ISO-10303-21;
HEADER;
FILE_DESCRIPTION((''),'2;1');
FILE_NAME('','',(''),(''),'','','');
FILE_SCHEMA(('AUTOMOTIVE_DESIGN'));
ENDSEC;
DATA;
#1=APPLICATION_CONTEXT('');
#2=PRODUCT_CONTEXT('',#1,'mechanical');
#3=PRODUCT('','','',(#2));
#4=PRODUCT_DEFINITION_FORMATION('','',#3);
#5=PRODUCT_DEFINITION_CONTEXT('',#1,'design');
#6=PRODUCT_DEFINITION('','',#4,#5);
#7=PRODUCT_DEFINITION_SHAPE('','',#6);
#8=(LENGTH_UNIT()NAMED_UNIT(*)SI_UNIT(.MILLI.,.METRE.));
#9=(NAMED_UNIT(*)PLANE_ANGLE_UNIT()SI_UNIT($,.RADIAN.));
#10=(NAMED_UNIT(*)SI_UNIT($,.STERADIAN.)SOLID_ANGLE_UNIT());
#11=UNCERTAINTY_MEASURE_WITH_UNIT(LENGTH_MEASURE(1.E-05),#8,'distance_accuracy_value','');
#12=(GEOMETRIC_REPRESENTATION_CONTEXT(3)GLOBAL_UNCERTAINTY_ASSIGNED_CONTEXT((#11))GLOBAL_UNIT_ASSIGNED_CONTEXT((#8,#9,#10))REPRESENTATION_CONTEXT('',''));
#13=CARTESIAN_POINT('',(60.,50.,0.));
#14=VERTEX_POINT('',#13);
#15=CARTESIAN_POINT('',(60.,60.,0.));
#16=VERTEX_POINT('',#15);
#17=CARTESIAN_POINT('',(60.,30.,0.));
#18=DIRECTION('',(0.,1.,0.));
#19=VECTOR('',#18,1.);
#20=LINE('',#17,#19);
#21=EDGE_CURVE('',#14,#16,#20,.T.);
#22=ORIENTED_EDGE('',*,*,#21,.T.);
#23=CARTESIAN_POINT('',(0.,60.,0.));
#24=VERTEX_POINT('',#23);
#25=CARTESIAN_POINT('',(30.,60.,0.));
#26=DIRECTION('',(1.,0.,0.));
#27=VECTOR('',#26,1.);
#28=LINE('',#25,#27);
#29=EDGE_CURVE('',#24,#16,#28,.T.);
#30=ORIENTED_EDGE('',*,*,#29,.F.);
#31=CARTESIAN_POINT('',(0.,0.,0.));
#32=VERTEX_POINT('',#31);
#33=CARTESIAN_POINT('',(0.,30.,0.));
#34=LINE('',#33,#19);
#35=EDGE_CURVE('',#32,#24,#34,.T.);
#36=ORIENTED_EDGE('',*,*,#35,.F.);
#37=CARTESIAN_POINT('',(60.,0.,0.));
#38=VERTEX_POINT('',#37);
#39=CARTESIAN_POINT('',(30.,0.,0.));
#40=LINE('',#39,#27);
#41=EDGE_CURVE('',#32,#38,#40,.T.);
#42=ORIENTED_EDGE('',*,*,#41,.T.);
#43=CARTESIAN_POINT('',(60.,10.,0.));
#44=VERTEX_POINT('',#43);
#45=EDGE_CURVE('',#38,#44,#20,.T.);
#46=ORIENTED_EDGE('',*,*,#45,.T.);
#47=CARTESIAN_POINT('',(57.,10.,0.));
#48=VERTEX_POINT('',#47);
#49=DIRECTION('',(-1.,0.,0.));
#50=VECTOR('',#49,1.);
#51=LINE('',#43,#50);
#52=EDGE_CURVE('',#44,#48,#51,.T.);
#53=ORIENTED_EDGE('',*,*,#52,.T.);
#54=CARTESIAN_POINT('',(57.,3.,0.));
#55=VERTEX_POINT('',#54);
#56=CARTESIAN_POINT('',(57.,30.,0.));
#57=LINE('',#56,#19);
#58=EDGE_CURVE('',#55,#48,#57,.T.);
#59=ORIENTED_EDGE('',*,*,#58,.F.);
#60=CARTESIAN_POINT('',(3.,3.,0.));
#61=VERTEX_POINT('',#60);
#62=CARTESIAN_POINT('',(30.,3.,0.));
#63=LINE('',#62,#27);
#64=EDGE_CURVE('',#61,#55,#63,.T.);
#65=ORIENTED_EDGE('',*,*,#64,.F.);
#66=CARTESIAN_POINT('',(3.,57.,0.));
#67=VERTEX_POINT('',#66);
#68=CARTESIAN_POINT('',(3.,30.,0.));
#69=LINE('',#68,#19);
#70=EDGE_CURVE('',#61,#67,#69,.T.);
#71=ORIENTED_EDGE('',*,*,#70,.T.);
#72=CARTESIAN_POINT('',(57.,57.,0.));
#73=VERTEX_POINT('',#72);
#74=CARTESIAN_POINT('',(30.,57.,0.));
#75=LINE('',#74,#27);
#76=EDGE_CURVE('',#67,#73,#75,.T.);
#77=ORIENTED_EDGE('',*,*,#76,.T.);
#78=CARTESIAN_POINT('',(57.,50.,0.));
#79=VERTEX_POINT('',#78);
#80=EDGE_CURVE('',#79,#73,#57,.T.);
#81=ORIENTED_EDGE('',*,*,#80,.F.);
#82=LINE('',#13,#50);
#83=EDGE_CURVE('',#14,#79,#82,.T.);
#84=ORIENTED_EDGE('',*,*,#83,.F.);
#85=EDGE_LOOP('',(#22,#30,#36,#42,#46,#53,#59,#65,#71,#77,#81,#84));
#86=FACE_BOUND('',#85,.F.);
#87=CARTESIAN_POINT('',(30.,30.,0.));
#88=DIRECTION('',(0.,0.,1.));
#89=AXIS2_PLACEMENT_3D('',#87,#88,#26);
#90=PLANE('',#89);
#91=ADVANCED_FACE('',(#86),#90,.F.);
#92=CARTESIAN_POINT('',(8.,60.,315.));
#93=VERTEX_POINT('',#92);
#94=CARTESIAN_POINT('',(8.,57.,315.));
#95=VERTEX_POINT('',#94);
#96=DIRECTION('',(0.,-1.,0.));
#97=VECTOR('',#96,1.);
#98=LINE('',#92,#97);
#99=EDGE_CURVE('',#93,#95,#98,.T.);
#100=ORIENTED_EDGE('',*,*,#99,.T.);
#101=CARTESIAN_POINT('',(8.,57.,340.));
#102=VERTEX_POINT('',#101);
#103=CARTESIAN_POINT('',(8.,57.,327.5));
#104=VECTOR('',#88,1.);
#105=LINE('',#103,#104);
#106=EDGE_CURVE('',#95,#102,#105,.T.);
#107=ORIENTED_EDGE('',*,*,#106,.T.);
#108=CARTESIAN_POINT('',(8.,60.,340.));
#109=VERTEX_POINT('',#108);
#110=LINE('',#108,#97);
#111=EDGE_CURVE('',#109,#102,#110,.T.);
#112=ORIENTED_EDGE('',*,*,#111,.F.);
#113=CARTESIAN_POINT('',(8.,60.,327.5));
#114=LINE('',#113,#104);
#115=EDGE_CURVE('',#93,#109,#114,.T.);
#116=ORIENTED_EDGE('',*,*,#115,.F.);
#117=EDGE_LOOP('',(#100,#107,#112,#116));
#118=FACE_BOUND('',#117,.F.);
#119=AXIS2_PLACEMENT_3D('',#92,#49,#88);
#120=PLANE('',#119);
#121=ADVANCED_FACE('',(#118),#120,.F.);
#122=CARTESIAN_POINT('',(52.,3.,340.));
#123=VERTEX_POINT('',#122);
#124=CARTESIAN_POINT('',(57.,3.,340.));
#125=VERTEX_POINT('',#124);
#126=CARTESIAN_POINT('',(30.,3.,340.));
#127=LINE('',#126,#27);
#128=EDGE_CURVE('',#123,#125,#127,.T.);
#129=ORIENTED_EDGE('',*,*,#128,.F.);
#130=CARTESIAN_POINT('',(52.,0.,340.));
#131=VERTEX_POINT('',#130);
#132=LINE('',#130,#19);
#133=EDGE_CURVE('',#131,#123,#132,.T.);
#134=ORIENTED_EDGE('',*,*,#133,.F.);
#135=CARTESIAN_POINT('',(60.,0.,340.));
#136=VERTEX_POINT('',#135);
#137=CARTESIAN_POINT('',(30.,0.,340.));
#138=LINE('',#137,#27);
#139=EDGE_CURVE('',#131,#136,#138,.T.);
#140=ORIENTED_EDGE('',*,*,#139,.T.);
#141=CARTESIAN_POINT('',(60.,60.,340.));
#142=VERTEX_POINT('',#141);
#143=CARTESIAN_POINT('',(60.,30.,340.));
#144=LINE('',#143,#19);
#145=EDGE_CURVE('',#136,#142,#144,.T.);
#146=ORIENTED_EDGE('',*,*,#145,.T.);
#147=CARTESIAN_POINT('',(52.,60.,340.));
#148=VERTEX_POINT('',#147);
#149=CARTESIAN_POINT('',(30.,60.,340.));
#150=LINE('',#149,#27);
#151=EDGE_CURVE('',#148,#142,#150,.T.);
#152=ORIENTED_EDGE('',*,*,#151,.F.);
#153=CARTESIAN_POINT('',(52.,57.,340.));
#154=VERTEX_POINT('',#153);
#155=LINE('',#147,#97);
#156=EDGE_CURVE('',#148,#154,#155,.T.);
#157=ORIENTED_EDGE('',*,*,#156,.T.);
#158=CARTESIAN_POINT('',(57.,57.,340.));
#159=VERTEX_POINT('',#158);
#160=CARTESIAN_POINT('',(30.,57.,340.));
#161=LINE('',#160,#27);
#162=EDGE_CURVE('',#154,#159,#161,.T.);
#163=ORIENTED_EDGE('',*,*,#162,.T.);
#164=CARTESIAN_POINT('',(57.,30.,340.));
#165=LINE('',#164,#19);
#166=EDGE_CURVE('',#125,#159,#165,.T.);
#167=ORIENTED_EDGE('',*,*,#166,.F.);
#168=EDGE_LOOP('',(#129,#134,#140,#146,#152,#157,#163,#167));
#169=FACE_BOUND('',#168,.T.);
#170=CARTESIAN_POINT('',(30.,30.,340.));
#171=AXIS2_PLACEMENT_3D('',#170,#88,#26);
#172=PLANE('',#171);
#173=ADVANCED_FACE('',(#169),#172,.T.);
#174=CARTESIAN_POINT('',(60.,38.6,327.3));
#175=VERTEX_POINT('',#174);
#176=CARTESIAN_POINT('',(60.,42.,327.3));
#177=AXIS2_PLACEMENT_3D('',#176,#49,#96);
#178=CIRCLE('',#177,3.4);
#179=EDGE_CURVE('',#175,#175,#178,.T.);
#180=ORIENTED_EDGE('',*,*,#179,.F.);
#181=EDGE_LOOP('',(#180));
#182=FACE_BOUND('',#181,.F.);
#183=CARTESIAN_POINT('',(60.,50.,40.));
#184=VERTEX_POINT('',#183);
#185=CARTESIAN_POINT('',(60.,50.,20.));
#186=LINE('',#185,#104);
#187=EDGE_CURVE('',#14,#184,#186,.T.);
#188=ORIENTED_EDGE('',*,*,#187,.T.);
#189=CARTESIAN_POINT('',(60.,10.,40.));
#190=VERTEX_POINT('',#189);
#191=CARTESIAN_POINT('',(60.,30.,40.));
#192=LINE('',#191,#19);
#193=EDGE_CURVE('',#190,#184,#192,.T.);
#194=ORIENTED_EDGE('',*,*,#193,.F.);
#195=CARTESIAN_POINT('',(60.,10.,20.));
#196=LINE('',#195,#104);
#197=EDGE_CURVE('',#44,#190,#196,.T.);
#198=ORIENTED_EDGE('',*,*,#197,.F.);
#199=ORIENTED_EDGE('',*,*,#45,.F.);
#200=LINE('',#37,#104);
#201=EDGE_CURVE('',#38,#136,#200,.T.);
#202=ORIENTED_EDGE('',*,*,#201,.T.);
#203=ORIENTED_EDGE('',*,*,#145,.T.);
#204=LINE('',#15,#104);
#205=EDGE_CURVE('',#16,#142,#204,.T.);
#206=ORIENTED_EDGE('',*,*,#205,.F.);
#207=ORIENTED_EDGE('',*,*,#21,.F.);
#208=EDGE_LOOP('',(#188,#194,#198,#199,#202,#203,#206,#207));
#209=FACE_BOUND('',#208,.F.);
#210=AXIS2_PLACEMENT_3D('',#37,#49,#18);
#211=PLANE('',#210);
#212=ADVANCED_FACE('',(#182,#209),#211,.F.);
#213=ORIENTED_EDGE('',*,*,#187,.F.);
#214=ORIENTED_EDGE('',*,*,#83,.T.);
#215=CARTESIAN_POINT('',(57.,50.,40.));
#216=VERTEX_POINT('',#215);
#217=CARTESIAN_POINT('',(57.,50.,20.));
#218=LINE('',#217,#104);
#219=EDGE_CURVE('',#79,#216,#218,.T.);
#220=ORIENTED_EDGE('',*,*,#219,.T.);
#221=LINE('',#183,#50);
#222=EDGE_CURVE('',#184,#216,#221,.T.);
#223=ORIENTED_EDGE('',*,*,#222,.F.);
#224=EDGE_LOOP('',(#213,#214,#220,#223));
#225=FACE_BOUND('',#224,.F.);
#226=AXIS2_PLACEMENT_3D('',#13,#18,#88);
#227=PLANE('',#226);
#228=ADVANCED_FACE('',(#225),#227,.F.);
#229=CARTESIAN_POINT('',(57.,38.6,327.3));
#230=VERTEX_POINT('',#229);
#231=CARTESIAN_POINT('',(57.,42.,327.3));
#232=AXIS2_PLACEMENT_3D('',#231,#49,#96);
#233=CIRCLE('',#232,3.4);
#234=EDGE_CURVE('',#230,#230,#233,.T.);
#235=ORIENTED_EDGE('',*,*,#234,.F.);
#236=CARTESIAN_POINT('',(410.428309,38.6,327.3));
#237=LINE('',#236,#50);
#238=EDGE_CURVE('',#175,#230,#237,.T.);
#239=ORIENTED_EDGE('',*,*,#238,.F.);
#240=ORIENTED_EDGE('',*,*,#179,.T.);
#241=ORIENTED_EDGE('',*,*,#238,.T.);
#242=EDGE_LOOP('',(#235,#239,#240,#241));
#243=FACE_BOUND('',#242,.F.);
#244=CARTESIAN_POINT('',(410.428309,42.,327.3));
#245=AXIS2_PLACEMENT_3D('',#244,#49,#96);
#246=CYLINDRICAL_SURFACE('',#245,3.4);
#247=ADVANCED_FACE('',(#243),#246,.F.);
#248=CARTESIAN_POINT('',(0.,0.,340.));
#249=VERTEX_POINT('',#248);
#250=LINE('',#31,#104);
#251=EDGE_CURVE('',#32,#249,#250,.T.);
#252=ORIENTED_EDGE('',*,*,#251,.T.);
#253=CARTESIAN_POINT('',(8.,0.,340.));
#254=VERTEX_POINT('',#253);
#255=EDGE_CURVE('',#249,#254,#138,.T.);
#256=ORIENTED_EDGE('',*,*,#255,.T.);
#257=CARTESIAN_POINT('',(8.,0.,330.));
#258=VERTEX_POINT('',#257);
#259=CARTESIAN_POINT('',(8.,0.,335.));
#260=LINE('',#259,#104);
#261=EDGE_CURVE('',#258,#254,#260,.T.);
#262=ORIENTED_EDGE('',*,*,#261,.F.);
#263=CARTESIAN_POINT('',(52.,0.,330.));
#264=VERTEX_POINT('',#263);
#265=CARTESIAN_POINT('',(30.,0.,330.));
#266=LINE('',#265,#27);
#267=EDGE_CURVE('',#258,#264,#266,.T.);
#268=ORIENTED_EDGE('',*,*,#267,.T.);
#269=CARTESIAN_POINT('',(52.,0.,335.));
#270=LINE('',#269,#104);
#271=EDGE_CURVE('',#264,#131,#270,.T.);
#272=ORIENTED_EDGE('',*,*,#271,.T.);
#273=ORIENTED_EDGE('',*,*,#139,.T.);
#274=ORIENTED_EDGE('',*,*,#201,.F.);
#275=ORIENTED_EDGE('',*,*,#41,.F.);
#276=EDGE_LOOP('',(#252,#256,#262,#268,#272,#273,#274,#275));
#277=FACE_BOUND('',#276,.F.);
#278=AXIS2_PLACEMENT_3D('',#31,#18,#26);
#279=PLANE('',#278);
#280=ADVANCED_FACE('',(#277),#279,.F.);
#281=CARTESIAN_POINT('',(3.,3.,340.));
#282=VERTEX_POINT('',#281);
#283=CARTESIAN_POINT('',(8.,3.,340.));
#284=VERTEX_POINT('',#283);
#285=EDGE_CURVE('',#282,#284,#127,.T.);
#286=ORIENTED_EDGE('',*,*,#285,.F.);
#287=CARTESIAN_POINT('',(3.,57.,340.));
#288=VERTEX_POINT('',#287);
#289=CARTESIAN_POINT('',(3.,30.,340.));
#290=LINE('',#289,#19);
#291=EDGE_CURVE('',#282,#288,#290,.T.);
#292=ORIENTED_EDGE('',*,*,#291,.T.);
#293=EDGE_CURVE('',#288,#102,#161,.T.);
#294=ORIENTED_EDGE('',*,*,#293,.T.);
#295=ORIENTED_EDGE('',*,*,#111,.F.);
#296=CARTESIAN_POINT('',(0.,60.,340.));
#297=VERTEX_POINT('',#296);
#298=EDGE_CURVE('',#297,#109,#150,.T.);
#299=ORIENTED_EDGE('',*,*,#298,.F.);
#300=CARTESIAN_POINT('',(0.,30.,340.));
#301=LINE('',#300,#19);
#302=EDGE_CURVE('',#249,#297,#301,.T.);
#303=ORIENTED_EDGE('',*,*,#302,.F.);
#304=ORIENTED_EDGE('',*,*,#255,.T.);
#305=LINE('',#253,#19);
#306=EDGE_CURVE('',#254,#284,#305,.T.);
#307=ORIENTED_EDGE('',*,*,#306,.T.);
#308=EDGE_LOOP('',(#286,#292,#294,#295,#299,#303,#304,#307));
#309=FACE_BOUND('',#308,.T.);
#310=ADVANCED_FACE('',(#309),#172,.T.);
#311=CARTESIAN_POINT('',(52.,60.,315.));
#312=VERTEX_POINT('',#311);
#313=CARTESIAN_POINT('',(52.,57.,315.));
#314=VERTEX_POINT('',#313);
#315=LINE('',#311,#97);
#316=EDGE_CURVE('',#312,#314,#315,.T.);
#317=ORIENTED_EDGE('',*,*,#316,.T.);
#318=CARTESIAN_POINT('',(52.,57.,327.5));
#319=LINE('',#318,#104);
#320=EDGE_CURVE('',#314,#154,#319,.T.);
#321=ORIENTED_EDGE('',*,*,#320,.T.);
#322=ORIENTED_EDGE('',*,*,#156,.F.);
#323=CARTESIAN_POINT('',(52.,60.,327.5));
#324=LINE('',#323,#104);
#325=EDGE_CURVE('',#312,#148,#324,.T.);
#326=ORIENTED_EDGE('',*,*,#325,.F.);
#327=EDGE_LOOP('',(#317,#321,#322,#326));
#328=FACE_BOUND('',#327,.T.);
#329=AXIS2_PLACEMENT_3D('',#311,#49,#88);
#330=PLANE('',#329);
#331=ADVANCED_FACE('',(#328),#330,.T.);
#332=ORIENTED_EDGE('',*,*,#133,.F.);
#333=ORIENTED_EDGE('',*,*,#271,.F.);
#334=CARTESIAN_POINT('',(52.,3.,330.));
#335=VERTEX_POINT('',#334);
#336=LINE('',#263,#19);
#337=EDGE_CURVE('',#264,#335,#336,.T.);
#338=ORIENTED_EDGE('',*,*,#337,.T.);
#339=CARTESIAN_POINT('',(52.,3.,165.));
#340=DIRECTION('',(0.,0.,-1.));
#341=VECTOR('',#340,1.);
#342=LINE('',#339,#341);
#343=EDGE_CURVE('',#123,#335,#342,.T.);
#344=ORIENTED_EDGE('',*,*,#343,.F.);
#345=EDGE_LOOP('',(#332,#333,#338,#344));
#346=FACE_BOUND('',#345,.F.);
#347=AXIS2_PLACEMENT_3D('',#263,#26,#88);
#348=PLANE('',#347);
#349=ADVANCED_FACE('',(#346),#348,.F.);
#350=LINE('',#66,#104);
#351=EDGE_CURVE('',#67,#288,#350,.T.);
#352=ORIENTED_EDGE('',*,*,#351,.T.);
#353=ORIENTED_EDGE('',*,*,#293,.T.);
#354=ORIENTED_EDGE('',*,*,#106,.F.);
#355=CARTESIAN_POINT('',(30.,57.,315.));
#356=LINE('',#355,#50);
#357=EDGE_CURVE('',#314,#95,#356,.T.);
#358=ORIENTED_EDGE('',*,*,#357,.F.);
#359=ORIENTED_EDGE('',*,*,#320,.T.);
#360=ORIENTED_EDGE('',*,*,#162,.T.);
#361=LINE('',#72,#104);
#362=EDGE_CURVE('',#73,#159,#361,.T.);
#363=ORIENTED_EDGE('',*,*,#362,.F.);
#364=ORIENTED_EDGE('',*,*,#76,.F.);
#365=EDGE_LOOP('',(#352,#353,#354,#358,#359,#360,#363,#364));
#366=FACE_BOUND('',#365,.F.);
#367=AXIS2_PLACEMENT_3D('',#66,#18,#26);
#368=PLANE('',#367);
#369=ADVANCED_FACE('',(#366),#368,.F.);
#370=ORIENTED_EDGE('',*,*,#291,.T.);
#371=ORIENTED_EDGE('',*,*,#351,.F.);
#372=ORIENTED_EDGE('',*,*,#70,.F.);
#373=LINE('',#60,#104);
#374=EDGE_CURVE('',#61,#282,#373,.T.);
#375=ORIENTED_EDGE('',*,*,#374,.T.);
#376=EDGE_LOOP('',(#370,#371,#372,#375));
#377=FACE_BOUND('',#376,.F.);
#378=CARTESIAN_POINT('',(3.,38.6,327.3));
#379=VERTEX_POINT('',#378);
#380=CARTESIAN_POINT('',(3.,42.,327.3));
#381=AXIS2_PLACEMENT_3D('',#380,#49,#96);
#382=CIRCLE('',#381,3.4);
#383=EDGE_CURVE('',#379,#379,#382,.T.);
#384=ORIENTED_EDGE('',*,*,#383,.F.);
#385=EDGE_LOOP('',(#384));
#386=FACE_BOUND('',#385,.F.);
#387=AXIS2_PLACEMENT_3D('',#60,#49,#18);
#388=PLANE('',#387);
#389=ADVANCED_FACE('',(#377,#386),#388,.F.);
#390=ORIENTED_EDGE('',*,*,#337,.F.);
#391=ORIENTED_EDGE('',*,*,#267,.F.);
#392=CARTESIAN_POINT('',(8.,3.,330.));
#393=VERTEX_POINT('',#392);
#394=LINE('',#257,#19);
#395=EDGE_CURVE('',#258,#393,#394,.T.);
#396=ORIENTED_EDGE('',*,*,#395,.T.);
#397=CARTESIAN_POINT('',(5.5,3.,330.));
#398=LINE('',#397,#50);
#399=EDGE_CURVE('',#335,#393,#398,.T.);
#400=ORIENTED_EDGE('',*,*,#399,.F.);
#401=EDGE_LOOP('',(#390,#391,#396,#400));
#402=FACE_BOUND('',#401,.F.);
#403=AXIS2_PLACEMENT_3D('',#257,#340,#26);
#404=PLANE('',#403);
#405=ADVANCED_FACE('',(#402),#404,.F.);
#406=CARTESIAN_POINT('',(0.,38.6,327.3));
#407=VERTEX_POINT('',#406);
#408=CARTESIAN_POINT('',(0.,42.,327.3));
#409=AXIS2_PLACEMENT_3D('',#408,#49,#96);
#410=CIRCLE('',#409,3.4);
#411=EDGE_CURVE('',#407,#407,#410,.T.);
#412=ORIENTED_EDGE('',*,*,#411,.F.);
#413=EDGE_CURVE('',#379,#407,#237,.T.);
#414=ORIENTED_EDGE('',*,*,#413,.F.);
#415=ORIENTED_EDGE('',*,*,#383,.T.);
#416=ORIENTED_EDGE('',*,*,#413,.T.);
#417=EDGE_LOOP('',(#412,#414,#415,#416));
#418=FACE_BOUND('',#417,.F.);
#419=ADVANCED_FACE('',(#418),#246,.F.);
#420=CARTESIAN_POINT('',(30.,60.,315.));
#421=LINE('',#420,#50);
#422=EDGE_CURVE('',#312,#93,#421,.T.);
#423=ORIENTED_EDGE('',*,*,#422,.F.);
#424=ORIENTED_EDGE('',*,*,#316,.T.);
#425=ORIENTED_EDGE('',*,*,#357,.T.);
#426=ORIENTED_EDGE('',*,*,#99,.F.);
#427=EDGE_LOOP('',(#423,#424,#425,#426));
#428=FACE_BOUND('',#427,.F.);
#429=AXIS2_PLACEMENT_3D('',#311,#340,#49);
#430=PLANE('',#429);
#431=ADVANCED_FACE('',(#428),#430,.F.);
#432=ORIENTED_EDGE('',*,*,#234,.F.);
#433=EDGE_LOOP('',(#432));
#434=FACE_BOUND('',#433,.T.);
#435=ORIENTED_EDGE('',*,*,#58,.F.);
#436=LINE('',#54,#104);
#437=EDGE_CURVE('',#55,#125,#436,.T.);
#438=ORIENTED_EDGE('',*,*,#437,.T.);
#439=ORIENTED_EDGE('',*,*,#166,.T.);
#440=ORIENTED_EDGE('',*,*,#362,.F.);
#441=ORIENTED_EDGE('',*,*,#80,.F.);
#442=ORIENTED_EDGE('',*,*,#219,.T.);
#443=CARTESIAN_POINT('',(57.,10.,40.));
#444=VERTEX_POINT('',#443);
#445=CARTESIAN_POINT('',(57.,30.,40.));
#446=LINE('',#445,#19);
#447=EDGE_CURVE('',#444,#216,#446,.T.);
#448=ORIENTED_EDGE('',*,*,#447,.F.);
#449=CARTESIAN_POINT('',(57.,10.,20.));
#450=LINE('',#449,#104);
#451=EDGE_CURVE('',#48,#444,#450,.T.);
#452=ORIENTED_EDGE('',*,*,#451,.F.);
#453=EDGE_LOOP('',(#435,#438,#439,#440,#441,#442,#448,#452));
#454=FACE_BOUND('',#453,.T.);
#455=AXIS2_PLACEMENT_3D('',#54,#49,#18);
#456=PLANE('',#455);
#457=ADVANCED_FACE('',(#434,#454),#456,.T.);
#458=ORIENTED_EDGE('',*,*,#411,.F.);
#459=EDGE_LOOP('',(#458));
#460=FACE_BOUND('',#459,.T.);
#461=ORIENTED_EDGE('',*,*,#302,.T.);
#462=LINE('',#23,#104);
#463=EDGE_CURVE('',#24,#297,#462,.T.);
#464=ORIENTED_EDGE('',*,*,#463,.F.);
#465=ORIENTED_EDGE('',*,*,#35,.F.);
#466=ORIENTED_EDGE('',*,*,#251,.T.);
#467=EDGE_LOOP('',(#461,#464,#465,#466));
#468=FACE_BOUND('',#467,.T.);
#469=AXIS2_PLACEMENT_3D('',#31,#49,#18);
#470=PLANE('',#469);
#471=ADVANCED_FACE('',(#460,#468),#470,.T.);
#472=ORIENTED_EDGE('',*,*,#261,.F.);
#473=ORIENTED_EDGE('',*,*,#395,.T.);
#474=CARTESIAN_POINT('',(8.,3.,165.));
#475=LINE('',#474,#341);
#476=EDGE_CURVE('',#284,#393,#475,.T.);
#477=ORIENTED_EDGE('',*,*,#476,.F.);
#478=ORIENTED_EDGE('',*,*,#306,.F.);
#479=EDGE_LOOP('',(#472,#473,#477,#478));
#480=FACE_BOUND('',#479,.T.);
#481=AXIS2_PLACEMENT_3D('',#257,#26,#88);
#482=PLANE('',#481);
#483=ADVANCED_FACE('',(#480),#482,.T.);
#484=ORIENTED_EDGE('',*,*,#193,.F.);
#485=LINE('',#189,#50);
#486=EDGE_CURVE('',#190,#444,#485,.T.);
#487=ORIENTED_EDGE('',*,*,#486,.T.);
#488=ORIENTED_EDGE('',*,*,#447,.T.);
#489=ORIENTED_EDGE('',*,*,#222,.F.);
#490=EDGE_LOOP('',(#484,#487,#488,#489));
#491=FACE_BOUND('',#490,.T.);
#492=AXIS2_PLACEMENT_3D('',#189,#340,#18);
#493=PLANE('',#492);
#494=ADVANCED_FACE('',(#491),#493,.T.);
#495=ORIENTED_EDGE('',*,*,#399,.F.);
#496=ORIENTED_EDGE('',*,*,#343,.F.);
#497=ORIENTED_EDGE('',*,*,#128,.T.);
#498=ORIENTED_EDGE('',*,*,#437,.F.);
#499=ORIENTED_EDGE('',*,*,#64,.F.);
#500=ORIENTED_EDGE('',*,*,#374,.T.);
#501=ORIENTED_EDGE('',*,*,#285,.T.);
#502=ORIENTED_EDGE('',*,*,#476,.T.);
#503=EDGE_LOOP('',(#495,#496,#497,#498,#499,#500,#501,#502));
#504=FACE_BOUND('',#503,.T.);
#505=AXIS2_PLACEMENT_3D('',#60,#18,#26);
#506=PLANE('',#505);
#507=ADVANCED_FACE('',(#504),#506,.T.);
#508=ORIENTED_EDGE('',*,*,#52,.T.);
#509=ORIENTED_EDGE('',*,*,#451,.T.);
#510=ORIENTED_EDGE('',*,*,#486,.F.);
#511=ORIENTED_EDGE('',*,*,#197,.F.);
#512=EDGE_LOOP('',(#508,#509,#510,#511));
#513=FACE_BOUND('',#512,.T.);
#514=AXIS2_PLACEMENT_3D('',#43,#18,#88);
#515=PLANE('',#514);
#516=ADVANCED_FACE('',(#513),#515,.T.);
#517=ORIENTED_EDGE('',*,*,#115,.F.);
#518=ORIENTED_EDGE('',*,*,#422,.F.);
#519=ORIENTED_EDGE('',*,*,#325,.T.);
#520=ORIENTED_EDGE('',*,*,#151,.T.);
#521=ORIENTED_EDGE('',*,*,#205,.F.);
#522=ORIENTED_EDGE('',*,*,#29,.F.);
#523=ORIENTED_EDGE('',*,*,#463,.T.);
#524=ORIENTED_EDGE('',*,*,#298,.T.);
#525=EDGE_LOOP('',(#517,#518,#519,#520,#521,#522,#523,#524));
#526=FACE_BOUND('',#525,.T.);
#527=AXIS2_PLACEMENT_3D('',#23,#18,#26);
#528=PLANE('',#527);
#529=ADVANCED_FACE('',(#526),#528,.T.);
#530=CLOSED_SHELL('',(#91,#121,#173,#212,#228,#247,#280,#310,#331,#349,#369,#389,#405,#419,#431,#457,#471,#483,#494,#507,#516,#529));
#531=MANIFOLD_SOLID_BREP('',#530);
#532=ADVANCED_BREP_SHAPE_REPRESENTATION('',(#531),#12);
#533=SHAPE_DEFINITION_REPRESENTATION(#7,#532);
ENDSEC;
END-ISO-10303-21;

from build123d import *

# Parameters (mm, degrees)
F0_W     = 60
F0_H     = 60
F0_W_2   = 54
F0_H_2   = 54
F1_DEPTH = 340
F2_W     = 40
F2_H     = 40
F3_DEPTH = 3
F4_W     = 44
F4_H     = 25
F5_DEPTH = 3
F7_D     = 6.8
F8_W     = 44
F8_H     = 10
F9_DEPTH = 25


with BuildPart() as f1:
    # F0 (on Top) → F1 (new body)
    with BuildSketch(Plane.XY):
        with Locations((30, 30)):
            Rectangle(F0_W, F0_H)
        with Locations((30, 30)):
            Rectangle(F0_W_2, F0_H_2, mode=Mode.SUBTRACT)
    extrude(amount=F1_DEPTH)

    # F2 (on face) → F3 (cut)
    with BuildSketch(Plane.YZ.offset(60)):
        with Locations((30, 20)):
            Rectangle(F2_W, F2_H)
    extrude(amount=-F3_DEPTH, mode=Mode.SUBTRACT)

    # F4 (on face) → F5 (cut)
    with BuildSketch(Plane(origin=(0, 60, 0), x_dir=(-1, 0, 0), z_dir=(0, 1, 0))):
        with Locations((-30, 327.5)):
            Rectangle(F4_W, F4_H)
    extrude(amount=-F5_DEPTH, mode=Mode.SUBTRACT)

    # F7 (through all)
    with Locations(Plane.YZ.offset(60)):
        with Locations((42, 327.3)):
            Hole(F7_D / 2)

    # F8 (on face) → F9 (cut)
    with BuildSketch(Plane.XZ):
        with Locations((30, 335)):
            Rectangle(F8_W, F8_H)
    extrude(amount=-F9_DEPTH, mode=Mode.SUBTRACT)


solid = f1.part
